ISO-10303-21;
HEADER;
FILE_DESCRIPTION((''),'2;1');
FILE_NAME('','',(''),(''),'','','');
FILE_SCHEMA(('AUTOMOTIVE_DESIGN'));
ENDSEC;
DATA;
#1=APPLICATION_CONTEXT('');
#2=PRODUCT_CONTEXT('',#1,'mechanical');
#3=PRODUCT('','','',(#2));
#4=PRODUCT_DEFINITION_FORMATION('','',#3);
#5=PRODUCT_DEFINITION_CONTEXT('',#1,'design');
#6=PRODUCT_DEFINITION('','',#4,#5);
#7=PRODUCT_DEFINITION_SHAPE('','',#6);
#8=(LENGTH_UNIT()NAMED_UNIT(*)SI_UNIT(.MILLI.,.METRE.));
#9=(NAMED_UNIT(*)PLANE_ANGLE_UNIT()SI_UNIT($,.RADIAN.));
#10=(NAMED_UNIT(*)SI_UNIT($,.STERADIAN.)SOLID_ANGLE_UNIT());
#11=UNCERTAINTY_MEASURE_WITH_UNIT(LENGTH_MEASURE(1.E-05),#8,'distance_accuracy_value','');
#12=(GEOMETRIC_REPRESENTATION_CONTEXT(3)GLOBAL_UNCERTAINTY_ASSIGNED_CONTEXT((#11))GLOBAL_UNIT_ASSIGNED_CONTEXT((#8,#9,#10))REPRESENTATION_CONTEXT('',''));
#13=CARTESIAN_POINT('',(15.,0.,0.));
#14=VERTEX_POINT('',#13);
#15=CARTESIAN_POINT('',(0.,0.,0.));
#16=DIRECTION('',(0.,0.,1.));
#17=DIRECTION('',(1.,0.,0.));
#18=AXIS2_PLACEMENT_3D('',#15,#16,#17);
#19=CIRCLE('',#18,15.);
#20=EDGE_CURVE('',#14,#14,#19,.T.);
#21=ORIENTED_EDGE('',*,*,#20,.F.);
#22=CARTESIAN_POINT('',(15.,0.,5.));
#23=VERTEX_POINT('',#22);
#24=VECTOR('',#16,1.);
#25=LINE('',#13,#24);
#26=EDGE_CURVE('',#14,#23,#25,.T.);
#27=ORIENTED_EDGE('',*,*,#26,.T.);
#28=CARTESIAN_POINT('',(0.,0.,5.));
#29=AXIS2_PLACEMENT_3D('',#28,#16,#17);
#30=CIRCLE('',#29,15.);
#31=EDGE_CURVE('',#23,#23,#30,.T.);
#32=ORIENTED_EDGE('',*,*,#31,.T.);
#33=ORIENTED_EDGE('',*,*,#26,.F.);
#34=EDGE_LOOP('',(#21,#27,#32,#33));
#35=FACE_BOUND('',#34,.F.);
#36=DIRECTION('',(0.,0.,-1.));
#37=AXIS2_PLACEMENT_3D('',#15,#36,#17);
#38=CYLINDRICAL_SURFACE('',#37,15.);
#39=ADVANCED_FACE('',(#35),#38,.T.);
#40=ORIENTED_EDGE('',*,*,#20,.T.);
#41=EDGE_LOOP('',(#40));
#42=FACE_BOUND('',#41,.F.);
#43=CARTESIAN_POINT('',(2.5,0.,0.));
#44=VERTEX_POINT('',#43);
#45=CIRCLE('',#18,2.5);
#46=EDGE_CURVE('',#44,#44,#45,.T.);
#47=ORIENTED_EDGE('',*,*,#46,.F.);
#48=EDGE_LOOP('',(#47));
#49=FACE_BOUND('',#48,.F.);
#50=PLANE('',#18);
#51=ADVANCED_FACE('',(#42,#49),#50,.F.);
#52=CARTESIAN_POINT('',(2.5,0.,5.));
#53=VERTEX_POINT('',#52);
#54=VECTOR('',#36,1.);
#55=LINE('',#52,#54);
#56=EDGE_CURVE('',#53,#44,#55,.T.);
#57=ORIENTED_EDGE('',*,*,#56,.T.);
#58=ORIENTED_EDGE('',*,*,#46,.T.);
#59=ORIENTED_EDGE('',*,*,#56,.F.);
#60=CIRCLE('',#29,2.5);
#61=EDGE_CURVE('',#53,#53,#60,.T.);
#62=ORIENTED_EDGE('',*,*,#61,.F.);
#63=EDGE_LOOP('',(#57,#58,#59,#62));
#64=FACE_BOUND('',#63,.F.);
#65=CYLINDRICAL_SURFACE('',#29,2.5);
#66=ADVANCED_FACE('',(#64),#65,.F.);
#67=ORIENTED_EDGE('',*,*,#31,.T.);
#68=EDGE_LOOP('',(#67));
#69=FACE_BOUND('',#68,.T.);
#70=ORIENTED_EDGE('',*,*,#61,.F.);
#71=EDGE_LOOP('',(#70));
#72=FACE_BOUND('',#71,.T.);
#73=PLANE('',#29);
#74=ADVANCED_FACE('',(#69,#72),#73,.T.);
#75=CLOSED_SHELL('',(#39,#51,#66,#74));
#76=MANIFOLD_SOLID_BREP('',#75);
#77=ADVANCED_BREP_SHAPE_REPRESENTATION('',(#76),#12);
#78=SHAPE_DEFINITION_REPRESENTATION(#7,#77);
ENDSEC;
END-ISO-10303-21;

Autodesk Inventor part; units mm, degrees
ref_plane "YZ Plane" through (0, 0, 0) normal (1, 0, 0) x (0, 1, 0)
ref_plane "XZ Plane" through (0, 0, 0) normal (0, 1, 0) x (-1, 0, 0)
ref_plane "XY Plane" through (0, 0, 0) normal (0, 0, 1) x (1, 0, 0)
sketch "Sketch1" plane through (0, 0, 0) normal (0, 0, 1) x (1, 0, 0)
  circle A0 centre (0, 0) radius 15
  dimension "d0" = 30
extrude "Extrusion1" add sketch "Sketch1" along normal blind 5
sketch "Sketch2" plane through (0, 0, 5) normal (0, 0, 1) x (1, 0, 0)
  circle A0 centre (0, 0) radius 2.5
  dimension "d3" = 5
extrude "Extrusion2" cut sketch "Sketch2" against normal blind 5
properties part number "midwheel ass"
